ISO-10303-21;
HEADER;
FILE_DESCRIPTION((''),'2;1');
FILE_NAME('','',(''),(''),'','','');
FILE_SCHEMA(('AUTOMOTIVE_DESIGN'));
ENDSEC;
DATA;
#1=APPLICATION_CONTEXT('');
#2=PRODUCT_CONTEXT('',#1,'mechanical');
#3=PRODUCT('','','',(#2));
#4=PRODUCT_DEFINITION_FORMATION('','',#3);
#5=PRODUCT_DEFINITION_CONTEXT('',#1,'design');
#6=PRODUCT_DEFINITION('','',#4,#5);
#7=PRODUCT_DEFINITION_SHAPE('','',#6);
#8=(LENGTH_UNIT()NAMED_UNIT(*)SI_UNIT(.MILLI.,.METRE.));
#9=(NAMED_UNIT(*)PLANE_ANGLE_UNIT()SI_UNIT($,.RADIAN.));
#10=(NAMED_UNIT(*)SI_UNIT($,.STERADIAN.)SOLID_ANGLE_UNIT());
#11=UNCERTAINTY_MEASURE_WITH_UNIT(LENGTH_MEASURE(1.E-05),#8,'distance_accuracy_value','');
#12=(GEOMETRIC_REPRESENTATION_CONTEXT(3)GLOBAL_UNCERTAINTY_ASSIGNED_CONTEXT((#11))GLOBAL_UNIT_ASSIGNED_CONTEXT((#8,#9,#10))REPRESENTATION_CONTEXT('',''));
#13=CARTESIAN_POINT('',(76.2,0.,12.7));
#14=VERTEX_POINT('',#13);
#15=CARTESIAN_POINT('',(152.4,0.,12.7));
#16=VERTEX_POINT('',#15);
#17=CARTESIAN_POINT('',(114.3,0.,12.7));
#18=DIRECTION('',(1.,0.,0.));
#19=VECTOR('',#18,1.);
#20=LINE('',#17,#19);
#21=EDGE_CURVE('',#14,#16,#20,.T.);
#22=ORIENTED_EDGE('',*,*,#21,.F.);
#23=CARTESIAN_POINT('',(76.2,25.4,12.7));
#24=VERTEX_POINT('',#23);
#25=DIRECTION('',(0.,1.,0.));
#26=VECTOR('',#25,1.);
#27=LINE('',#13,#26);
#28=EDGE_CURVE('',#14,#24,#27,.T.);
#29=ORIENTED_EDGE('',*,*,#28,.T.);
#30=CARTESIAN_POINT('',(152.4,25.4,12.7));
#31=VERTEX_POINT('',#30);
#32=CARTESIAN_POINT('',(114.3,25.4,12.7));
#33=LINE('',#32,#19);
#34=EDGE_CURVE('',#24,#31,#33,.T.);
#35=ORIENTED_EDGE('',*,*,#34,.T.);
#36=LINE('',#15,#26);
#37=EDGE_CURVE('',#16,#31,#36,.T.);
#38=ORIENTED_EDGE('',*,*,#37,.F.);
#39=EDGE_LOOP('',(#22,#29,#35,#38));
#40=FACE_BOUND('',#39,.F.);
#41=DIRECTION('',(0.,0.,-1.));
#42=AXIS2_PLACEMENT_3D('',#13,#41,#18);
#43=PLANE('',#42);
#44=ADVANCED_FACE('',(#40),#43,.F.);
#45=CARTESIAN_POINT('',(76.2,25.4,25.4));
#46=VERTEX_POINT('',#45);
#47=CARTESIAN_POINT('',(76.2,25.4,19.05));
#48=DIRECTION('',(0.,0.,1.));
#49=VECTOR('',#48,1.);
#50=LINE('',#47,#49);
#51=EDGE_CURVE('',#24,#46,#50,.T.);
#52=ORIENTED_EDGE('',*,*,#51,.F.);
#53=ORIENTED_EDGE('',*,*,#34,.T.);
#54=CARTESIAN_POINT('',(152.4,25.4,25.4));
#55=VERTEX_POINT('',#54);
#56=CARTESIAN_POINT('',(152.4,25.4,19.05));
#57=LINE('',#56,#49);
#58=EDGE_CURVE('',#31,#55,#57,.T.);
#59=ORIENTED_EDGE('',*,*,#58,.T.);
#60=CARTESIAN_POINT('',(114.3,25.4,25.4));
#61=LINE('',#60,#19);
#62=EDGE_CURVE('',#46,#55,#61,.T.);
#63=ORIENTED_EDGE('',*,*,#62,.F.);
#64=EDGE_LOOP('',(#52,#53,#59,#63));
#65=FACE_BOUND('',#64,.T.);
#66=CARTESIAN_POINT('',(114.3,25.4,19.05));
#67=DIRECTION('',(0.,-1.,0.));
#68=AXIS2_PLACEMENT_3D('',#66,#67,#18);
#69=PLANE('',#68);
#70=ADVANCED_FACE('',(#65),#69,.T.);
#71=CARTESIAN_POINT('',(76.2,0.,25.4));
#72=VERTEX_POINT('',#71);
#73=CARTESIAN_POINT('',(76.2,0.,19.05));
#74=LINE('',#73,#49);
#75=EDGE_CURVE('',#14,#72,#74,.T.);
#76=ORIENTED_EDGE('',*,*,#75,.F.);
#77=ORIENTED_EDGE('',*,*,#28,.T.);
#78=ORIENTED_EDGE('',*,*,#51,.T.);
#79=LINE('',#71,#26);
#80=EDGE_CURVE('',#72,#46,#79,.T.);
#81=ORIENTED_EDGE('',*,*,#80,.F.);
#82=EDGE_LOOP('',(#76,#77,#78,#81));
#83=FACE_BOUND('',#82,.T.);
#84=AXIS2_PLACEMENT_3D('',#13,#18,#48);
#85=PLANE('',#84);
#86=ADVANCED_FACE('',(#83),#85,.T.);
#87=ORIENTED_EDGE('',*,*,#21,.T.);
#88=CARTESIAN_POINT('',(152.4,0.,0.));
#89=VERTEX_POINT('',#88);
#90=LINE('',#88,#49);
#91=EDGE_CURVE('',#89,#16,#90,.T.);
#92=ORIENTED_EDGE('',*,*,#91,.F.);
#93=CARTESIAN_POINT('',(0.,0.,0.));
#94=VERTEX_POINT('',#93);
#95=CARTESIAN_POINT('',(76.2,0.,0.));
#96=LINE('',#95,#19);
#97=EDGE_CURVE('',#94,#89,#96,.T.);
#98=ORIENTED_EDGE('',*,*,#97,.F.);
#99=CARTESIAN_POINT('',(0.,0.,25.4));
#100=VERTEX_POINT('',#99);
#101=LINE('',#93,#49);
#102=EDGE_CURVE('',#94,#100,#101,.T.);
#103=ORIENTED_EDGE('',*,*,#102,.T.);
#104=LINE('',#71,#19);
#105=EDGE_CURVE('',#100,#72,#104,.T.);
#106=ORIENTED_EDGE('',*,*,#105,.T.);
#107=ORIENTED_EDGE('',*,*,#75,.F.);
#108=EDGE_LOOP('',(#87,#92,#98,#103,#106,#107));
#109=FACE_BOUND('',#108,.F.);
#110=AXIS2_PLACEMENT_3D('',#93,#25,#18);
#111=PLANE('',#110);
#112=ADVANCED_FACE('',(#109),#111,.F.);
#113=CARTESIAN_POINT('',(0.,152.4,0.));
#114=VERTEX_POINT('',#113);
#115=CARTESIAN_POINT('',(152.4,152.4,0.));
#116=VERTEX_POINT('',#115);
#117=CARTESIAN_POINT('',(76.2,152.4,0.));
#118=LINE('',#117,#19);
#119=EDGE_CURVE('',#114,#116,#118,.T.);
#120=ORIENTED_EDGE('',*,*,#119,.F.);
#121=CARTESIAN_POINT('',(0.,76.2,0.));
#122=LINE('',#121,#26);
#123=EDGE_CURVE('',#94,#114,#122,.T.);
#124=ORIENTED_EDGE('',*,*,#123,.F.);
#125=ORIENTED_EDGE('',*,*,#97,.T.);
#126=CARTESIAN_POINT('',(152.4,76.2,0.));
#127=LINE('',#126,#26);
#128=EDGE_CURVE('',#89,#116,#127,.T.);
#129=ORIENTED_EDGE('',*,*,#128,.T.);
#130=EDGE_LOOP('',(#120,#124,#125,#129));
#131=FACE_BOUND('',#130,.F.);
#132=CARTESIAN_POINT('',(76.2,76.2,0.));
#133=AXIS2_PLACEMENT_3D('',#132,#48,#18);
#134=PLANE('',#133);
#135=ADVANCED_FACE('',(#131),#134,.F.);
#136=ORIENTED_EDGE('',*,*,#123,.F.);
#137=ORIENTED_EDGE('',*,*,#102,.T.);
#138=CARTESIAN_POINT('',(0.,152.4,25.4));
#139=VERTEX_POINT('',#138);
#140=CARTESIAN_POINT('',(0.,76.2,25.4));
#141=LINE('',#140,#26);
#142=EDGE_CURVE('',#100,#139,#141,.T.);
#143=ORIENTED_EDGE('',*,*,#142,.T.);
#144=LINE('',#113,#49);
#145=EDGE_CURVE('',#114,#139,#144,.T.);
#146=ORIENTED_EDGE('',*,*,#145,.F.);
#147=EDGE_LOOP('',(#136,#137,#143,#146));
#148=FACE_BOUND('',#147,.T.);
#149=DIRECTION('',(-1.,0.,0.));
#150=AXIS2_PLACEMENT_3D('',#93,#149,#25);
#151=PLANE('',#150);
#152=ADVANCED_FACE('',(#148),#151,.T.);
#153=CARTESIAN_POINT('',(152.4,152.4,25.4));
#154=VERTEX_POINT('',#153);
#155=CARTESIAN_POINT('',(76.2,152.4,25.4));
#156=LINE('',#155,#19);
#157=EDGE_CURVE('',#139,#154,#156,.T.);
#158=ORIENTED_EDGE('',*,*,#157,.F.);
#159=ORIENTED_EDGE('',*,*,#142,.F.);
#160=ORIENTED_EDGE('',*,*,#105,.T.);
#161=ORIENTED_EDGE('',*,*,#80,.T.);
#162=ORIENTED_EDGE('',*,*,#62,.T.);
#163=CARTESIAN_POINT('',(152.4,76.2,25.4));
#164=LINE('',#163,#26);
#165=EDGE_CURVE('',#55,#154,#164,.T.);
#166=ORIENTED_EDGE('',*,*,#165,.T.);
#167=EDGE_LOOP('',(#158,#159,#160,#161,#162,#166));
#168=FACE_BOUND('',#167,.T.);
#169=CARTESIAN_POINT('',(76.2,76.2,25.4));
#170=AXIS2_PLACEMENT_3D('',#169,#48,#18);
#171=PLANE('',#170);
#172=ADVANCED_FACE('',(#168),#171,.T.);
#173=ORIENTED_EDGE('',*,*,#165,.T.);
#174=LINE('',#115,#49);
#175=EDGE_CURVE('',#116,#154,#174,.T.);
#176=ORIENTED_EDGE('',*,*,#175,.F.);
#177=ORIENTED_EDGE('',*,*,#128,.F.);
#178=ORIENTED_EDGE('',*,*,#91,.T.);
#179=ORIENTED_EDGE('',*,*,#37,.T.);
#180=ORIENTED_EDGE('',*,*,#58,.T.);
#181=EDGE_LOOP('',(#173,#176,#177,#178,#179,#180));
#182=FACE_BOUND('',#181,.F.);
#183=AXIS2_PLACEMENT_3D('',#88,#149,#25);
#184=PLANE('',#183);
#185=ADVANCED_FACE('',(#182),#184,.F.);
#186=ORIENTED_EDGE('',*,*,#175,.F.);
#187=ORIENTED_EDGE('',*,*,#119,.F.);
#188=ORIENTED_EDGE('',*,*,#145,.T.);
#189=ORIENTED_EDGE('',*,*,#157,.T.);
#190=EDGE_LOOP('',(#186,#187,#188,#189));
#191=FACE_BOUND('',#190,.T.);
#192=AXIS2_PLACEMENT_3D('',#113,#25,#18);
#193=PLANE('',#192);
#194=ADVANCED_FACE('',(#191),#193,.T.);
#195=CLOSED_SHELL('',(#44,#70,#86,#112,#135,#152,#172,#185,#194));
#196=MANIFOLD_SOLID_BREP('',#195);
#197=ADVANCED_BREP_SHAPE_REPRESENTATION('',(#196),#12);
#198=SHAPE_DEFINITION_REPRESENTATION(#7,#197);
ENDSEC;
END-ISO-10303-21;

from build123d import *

# Parameters (mm, degrees)
F0_W       = 152.4
F0_H       = 152.4
F1_DEPTH   = 25.4
F2_W       = 76.2
F2_H       = 12.7
F1_FACE1_W = 152.4
F1_FACE1_H = 25.4
F3_DEPTH   = 25.4


with BuildPart() as f1:
    # F0 (on Top) → F1 (new body)
    with BuildSketch(Plane.XY):
        with Locations((76.2, 76.2)):
            Rectangle(F0_W, F0_H)
    extrude(amount=F1_DEPTH)

    # F2 (on face) + F1_face1 (on face) → F3 (cut)
    with BuildSketch(Plane.XZ):
        with Locations((114.3, 19.05)):
            Rectangle(F2_W, F2_H)
    with BuildSketch(Plane(origin=(76.2, 152.4, 12.7), x_dir=(-1, 0, 0), z_dir=(0, 1, 0))):
        Rectangle(F1_FACE1_W, F1_FACE1_H)
    extrude(amount=-F3_DEPTH, dir=(0, -1, 0), mode=Mode.SUBTRACT)


solid = f1.part
